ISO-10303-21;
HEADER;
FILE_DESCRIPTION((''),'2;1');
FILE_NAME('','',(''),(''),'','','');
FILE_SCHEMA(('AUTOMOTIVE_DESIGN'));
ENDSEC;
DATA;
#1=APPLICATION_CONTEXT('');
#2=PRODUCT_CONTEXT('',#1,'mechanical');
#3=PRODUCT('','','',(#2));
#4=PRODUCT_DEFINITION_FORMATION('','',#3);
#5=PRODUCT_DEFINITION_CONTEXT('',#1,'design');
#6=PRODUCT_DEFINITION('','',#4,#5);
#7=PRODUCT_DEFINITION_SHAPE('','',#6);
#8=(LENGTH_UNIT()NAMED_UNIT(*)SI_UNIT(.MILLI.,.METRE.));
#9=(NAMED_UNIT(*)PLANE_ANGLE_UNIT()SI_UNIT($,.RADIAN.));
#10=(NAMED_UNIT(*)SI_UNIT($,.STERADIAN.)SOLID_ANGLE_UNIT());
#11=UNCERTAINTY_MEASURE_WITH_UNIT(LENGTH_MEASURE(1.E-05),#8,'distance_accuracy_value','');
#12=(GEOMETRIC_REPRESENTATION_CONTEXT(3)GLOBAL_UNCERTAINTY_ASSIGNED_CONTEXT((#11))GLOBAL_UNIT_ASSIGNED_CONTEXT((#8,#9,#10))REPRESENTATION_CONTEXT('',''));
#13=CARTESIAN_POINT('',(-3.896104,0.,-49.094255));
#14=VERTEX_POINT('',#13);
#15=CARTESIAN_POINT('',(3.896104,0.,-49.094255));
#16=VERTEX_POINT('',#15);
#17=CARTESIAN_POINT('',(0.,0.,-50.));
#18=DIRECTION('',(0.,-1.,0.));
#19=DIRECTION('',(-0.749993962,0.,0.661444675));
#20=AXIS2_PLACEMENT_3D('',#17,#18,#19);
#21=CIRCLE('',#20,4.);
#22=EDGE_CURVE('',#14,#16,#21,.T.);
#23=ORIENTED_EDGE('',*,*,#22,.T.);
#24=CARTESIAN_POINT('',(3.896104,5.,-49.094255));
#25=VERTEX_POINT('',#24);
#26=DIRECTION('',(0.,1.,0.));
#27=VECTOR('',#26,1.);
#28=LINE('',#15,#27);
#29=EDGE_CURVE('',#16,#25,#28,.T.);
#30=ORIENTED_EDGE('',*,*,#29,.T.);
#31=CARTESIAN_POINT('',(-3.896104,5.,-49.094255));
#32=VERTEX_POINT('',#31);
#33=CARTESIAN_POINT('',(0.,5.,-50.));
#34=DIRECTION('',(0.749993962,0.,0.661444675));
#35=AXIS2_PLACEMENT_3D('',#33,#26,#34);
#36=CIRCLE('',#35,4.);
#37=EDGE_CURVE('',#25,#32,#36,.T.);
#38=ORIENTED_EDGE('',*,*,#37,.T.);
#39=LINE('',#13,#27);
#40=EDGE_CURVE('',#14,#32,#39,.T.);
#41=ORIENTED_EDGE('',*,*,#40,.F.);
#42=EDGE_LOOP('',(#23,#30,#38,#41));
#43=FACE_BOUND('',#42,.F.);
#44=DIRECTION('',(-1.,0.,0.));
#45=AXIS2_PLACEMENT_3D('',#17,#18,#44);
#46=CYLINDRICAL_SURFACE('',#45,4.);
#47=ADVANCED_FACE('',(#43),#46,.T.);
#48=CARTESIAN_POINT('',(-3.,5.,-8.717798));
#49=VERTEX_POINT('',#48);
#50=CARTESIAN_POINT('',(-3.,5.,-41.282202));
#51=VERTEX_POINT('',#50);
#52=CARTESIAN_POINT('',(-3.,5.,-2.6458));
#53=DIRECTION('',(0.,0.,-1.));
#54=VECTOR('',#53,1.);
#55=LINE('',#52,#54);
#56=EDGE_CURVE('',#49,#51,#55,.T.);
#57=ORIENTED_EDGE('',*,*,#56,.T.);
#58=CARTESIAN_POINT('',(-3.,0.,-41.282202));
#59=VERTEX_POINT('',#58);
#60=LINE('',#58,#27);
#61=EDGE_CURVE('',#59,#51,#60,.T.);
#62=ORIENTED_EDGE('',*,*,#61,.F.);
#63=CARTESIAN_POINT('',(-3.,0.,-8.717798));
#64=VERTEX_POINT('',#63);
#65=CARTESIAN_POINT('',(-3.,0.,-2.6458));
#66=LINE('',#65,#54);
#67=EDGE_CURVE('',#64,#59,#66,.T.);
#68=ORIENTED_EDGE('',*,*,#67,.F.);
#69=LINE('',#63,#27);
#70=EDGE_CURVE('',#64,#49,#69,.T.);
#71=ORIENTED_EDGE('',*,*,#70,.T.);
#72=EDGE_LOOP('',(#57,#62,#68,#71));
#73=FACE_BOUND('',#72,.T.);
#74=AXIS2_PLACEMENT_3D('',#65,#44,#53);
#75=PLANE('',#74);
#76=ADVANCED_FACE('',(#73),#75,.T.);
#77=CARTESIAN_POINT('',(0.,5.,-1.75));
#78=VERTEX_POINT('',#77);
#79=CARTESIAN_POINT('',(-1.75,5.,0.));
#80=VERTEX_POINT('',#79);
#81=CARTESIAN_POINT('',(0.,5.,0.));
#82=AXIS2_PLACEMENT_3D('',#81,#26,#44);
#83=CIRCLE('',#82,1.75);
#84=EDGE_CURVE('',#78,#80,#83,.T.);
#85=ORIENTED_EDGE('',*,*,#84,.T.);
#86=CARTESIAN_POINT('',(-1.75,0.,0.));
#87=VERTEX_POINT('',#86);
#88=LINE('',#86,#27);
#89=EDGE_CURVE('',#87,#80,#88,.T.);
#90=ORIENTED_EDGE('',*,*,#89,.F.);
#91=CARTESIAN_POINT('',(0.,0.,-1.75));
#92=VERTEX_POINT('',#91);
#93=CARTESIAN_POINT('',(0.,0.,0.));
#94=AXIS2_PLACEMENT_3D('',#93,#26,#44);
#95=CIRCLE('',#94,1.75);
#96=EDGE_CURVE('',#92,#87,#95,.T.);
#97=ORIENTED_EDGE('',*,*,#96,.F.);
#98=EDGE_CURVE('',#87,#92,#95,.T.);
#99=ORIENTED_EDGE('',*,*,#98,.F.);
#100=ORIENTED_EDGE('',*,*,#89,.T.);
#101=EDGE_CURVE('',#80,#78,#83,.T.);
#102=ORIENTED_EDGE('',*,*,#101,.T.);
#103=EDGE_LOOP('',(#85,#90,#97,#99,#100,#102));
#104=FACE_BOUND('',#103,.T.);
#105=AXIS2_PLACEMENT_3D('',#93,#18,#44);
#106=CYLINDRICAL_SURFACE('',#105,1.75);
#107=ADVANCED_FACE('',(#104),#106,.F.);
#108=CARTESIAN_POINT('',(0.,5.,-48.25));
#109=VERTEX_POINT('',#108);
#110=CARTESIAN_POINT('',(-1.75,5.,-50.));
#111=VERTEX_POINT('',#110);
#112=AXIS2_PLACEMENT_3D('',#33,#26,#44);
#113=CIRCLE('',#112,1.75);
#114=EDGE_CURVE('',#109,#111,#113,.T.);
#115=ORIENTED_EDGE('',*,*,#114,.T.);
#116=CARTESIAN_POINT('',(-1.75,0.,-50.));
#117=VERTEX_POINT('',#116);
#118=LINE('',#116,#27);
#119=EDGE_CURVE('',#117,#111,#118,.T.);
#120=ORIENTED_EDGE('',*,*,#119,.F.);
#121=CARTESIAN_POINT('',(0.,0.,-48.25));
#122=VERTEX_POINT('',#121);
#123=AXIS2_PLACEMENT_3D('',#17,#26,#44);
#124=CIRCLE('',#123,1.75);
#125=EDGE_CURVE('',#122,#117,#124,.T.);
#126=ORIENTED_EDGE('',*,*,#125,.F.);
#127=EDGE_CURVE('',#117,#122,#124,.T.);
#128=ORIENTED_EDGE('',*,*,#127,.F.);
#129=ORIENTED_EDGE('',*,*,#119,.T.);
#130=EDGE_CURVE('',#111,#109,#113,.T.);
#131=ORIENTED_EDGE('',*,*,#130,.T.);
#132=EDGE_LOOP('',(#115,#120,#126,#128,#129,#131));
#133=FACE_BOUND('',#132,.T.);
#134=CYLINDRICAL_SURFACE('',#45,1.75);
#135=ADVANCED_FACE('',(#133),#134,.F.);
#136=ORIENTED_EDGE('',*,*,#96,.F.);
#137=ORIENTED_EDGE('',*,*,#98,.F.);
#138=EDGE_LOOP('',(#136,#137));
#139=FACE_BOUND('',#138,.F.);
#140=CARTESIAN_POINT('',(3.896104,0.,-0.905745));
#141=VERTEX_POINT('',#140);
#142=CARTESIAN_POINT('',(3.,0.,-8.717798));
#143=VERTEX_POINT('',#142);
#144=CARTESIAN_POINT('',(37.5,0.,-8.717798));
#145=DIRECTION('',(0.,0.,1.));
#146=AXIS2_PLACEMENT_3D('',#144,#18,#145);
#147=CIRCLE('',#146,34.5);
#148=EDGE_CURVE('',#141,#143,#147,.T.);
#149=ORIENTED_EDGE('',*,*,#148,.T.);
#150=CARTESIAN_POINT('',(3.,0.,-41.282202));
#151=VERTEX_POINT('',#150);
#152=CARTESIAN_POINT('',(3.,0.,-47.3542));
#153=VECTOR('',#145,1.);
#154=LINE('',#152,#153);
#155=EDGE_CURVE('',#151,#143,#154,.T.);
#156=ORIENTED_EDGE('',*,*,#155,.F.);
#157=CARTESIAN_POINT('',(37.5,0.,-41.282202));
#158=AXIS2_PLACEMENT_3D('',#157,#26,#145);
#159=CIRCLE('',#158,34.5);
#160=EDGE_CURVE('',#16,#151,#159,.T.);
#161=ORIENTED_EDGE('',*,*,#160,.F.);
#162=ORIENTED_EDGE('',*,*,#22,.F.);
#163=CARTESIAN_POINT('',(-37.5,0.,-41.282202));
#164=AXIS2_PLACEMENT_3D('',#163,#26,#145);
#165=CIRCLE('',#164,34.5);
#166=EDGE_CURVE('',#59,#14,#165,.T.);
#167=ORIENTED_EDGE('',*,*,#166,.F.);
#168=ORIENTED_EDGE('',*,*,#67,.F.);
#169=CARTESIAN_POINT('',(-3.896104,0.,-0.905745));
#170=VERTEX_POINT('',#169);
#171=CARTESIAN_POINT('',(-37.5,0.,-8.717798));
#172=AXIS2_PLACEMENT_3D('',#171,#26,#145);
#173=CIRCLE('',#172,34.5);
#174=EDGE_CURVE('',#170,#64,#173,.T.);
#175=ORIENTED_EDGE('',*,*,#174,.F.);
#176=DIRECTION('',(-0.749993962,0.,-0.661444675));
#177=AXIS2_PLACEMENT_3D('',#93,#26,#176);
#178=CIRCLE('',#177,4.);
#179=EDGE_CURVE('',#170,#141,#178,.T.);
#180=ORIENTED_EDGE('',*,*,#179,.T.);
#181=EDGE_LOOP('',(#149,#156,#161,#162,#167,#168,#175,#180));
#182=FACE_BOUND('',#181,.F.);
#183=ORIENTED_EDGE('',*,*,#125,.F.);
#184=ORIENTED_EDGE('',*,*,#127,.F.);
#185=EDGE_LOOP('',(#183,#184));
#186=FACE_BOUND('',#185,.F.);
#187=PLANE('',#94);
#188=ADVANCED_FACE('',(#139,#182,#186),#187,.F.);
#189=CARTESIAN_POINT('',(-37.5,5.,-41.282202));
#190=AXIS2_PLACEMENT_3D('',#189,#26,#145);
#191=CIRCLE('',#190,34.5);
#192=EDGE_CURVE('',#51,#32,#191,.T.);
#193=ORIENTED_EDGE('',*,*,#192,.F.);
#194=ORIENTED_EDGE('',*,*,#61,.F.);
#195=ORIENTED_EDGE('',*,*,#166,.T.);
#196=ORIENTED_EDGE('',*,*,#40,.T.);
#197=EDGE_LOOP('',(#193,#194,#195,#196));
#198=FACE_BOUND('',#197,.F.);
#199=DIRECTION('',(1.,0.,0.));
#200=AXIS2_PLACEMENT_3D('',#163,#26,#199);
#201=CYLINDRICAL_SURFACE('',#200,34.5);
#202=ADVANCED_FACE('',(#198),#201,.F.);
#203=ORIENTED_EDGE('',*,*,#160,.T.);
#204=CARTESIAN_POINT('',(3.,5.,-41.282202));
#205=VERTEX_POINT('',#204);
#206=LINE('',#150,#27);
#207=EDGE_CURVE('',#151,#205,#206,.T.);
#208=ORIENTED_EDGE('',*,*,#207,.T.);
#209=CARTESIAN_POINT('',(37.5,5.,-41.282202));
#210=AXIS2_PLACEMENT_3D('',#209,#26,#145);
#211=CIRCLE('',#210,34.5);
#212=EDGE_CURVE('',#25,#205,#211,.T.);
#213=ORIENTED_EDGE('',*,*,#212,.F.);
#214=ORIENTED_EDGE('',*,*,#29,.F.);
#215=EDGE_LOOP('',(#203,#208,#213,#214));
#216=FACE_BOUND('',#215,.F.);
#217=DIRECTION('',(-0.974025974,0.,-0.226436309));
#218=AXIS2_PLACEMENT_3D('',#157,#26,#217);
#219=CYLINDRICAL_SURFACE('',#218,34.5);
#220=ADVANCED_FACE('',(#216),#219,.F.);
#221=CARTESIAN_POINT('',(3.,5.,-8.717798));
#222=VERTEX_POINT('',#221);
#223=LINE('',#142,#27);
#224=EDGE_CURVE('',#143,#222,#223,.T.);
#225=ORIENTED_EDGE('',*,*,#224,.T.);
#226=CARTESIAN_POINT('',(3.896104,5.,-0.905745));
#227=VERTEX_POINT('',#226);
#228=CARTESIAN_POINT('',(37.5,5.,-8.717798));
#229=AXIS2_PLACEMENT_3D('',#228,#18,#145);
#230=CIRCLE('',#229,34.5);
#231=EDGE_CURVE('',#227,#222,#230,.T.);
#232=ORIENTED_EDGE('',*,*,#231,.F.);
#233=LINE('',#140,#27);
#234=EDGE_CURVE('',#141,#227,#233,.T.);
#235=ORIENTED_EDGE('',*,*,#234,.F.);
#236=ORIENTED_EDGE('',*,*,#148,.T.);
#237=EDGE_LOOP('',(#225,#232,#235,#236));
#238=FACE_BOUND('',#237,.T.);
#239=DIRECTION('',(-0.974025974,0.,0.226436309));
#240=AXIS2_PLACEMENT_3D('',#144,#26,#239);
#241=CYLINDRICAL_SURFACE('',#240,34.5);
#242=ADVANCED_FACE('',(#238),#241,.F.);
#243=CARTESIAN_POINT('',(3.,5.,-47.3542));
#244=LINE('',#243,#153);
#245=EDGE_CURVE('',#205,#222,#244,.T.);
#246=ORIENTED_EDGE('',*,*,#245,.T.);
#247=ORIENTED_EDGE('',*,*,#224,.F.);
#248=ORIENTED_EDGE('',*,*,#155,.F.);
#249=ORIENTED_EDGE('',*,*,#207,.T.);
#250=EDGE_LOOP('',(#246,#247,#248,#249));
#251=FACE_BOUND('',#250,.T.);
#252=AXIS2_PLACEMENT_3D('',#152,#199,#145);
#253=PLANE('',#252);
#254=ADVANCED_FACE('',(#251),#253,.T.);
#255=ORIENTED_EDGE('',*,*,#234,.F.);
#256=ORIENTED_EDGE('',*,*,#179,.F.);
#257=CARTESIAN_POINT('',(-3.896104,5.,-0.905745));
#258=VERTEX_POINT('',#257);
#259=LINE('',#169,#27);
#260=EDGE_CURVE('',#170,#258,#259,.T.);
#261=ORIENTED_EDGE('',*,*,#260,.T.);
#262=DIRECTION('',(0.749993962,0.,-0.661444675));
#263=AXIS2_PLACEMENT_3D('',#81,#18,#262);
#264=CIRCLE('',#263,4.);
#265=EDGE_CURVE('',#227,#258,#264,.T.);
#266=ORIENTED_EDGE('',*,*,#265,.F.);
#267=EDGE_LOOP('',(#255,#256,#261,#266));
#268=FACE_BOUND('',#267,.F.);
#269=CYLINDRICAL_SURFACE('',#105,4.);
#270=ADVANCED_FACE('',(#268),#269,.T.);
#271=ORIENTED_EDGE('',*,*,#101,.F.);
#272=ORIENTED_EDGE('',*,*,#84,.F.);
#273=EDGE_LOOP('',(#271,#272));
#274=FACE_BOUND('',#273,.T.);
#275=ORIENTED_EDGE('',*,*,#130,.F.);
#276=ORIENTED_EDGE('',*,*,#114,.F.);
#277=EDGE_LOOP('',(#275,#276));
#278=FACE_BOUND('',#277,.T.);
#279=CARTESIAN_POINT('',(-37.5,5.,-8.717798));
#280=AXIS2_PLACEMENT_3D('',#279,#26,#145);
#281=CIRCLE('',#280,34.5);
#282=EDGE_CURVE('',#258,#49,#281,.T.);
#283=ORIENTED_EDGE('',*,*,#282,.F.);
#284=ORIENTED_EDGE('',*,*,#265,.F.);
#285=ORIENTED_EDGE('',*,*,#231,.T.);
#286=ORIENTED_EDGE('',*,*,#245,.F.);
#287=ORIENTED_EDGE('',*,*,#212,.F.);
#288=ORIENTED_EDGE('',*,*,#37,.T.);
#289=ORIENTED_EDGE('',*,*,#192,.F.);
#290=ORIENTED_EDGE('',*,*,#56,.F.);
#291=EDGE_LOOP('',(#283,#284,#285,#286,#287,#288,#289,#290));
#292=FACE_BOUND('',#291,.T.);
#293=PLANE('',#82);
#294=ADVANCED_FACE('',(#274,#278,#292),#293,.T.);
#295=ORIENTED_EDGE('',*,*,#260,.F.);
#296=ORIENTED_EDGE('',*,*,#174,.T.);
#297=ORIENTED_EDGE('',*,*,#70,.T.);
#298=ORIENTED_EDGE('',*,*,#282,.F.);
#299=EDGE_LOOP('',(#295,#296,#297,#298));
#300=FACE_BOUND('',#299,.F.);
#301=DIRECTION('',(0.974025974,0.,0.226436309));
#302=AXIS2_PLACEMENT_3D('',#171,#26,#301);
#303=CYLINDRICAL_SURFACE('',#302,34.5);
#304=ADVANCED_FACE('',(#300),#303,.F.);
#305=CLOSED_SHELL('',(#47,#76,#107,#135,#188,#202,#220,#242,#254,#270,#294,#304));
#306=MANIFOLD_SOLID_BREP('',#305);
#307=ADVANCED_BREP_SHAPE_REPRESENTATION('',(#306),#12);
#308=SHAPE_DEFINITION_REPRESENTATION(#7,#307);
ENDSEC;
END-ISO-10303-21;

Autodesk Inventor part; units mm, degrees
ref_plane "YZ Plane" through (0, 0, 0) normal (1, 0, 0) x (0, 1, 0)
ref_plane "XZ Plane" through (0, 0, 0) normal (0, 1, 0) x (-1, 0, 0)
ref_plane "XY Plane" through (0, 0, 0) normal (0, 0, 1) x (1, 0, 0)
sketch "Sketch1" plane through (0, 0, 0) normal (0, 1, 0) x (-1, 0, 0)
  circle A0 centre (0, 0) radius 4
  line L0 (0, 0) -> (0, -50)
  circle A1 centre (0, -50) radius 4
  line L1 (-3, -2.6458) -> (3, -2.6458)
  line L2 (3, -2.6458) -> (3, -47.3542)
  line L3 (3, -47.3542) -> (-3, -47.3542)
  line L4 (-3, -47.3542) -> (-3, -2.6458)
  line L5 (-3, -2.6458) -> (3, -47.3542) construction
  line L6 (3, -2.6458) -> (-3, -47.3542) construction
  circle A2 centre (0, 0) radius 1.75
  circle A3 centre (0, -50) radius 1.75
  point P0 (0, -25)
  dimension "d2" = 8
  dimension "d0" = 8
  dimension "d1" = 50
  dimension "d3" = 6
  dimension "d7" = 3.5
  dimension "d8" = 3.5
extrude "Extrusion1" add sketch "Sketch1" along normal blind 5
fillet "Fillet1" radius 34.5 4 edges at (3, 2.5, -2.6458) (3, 2.5, -47.3542) (-3, 2.5, -2.6458) (-3, 2.5, -47.3542)
properties part number "Connector"
